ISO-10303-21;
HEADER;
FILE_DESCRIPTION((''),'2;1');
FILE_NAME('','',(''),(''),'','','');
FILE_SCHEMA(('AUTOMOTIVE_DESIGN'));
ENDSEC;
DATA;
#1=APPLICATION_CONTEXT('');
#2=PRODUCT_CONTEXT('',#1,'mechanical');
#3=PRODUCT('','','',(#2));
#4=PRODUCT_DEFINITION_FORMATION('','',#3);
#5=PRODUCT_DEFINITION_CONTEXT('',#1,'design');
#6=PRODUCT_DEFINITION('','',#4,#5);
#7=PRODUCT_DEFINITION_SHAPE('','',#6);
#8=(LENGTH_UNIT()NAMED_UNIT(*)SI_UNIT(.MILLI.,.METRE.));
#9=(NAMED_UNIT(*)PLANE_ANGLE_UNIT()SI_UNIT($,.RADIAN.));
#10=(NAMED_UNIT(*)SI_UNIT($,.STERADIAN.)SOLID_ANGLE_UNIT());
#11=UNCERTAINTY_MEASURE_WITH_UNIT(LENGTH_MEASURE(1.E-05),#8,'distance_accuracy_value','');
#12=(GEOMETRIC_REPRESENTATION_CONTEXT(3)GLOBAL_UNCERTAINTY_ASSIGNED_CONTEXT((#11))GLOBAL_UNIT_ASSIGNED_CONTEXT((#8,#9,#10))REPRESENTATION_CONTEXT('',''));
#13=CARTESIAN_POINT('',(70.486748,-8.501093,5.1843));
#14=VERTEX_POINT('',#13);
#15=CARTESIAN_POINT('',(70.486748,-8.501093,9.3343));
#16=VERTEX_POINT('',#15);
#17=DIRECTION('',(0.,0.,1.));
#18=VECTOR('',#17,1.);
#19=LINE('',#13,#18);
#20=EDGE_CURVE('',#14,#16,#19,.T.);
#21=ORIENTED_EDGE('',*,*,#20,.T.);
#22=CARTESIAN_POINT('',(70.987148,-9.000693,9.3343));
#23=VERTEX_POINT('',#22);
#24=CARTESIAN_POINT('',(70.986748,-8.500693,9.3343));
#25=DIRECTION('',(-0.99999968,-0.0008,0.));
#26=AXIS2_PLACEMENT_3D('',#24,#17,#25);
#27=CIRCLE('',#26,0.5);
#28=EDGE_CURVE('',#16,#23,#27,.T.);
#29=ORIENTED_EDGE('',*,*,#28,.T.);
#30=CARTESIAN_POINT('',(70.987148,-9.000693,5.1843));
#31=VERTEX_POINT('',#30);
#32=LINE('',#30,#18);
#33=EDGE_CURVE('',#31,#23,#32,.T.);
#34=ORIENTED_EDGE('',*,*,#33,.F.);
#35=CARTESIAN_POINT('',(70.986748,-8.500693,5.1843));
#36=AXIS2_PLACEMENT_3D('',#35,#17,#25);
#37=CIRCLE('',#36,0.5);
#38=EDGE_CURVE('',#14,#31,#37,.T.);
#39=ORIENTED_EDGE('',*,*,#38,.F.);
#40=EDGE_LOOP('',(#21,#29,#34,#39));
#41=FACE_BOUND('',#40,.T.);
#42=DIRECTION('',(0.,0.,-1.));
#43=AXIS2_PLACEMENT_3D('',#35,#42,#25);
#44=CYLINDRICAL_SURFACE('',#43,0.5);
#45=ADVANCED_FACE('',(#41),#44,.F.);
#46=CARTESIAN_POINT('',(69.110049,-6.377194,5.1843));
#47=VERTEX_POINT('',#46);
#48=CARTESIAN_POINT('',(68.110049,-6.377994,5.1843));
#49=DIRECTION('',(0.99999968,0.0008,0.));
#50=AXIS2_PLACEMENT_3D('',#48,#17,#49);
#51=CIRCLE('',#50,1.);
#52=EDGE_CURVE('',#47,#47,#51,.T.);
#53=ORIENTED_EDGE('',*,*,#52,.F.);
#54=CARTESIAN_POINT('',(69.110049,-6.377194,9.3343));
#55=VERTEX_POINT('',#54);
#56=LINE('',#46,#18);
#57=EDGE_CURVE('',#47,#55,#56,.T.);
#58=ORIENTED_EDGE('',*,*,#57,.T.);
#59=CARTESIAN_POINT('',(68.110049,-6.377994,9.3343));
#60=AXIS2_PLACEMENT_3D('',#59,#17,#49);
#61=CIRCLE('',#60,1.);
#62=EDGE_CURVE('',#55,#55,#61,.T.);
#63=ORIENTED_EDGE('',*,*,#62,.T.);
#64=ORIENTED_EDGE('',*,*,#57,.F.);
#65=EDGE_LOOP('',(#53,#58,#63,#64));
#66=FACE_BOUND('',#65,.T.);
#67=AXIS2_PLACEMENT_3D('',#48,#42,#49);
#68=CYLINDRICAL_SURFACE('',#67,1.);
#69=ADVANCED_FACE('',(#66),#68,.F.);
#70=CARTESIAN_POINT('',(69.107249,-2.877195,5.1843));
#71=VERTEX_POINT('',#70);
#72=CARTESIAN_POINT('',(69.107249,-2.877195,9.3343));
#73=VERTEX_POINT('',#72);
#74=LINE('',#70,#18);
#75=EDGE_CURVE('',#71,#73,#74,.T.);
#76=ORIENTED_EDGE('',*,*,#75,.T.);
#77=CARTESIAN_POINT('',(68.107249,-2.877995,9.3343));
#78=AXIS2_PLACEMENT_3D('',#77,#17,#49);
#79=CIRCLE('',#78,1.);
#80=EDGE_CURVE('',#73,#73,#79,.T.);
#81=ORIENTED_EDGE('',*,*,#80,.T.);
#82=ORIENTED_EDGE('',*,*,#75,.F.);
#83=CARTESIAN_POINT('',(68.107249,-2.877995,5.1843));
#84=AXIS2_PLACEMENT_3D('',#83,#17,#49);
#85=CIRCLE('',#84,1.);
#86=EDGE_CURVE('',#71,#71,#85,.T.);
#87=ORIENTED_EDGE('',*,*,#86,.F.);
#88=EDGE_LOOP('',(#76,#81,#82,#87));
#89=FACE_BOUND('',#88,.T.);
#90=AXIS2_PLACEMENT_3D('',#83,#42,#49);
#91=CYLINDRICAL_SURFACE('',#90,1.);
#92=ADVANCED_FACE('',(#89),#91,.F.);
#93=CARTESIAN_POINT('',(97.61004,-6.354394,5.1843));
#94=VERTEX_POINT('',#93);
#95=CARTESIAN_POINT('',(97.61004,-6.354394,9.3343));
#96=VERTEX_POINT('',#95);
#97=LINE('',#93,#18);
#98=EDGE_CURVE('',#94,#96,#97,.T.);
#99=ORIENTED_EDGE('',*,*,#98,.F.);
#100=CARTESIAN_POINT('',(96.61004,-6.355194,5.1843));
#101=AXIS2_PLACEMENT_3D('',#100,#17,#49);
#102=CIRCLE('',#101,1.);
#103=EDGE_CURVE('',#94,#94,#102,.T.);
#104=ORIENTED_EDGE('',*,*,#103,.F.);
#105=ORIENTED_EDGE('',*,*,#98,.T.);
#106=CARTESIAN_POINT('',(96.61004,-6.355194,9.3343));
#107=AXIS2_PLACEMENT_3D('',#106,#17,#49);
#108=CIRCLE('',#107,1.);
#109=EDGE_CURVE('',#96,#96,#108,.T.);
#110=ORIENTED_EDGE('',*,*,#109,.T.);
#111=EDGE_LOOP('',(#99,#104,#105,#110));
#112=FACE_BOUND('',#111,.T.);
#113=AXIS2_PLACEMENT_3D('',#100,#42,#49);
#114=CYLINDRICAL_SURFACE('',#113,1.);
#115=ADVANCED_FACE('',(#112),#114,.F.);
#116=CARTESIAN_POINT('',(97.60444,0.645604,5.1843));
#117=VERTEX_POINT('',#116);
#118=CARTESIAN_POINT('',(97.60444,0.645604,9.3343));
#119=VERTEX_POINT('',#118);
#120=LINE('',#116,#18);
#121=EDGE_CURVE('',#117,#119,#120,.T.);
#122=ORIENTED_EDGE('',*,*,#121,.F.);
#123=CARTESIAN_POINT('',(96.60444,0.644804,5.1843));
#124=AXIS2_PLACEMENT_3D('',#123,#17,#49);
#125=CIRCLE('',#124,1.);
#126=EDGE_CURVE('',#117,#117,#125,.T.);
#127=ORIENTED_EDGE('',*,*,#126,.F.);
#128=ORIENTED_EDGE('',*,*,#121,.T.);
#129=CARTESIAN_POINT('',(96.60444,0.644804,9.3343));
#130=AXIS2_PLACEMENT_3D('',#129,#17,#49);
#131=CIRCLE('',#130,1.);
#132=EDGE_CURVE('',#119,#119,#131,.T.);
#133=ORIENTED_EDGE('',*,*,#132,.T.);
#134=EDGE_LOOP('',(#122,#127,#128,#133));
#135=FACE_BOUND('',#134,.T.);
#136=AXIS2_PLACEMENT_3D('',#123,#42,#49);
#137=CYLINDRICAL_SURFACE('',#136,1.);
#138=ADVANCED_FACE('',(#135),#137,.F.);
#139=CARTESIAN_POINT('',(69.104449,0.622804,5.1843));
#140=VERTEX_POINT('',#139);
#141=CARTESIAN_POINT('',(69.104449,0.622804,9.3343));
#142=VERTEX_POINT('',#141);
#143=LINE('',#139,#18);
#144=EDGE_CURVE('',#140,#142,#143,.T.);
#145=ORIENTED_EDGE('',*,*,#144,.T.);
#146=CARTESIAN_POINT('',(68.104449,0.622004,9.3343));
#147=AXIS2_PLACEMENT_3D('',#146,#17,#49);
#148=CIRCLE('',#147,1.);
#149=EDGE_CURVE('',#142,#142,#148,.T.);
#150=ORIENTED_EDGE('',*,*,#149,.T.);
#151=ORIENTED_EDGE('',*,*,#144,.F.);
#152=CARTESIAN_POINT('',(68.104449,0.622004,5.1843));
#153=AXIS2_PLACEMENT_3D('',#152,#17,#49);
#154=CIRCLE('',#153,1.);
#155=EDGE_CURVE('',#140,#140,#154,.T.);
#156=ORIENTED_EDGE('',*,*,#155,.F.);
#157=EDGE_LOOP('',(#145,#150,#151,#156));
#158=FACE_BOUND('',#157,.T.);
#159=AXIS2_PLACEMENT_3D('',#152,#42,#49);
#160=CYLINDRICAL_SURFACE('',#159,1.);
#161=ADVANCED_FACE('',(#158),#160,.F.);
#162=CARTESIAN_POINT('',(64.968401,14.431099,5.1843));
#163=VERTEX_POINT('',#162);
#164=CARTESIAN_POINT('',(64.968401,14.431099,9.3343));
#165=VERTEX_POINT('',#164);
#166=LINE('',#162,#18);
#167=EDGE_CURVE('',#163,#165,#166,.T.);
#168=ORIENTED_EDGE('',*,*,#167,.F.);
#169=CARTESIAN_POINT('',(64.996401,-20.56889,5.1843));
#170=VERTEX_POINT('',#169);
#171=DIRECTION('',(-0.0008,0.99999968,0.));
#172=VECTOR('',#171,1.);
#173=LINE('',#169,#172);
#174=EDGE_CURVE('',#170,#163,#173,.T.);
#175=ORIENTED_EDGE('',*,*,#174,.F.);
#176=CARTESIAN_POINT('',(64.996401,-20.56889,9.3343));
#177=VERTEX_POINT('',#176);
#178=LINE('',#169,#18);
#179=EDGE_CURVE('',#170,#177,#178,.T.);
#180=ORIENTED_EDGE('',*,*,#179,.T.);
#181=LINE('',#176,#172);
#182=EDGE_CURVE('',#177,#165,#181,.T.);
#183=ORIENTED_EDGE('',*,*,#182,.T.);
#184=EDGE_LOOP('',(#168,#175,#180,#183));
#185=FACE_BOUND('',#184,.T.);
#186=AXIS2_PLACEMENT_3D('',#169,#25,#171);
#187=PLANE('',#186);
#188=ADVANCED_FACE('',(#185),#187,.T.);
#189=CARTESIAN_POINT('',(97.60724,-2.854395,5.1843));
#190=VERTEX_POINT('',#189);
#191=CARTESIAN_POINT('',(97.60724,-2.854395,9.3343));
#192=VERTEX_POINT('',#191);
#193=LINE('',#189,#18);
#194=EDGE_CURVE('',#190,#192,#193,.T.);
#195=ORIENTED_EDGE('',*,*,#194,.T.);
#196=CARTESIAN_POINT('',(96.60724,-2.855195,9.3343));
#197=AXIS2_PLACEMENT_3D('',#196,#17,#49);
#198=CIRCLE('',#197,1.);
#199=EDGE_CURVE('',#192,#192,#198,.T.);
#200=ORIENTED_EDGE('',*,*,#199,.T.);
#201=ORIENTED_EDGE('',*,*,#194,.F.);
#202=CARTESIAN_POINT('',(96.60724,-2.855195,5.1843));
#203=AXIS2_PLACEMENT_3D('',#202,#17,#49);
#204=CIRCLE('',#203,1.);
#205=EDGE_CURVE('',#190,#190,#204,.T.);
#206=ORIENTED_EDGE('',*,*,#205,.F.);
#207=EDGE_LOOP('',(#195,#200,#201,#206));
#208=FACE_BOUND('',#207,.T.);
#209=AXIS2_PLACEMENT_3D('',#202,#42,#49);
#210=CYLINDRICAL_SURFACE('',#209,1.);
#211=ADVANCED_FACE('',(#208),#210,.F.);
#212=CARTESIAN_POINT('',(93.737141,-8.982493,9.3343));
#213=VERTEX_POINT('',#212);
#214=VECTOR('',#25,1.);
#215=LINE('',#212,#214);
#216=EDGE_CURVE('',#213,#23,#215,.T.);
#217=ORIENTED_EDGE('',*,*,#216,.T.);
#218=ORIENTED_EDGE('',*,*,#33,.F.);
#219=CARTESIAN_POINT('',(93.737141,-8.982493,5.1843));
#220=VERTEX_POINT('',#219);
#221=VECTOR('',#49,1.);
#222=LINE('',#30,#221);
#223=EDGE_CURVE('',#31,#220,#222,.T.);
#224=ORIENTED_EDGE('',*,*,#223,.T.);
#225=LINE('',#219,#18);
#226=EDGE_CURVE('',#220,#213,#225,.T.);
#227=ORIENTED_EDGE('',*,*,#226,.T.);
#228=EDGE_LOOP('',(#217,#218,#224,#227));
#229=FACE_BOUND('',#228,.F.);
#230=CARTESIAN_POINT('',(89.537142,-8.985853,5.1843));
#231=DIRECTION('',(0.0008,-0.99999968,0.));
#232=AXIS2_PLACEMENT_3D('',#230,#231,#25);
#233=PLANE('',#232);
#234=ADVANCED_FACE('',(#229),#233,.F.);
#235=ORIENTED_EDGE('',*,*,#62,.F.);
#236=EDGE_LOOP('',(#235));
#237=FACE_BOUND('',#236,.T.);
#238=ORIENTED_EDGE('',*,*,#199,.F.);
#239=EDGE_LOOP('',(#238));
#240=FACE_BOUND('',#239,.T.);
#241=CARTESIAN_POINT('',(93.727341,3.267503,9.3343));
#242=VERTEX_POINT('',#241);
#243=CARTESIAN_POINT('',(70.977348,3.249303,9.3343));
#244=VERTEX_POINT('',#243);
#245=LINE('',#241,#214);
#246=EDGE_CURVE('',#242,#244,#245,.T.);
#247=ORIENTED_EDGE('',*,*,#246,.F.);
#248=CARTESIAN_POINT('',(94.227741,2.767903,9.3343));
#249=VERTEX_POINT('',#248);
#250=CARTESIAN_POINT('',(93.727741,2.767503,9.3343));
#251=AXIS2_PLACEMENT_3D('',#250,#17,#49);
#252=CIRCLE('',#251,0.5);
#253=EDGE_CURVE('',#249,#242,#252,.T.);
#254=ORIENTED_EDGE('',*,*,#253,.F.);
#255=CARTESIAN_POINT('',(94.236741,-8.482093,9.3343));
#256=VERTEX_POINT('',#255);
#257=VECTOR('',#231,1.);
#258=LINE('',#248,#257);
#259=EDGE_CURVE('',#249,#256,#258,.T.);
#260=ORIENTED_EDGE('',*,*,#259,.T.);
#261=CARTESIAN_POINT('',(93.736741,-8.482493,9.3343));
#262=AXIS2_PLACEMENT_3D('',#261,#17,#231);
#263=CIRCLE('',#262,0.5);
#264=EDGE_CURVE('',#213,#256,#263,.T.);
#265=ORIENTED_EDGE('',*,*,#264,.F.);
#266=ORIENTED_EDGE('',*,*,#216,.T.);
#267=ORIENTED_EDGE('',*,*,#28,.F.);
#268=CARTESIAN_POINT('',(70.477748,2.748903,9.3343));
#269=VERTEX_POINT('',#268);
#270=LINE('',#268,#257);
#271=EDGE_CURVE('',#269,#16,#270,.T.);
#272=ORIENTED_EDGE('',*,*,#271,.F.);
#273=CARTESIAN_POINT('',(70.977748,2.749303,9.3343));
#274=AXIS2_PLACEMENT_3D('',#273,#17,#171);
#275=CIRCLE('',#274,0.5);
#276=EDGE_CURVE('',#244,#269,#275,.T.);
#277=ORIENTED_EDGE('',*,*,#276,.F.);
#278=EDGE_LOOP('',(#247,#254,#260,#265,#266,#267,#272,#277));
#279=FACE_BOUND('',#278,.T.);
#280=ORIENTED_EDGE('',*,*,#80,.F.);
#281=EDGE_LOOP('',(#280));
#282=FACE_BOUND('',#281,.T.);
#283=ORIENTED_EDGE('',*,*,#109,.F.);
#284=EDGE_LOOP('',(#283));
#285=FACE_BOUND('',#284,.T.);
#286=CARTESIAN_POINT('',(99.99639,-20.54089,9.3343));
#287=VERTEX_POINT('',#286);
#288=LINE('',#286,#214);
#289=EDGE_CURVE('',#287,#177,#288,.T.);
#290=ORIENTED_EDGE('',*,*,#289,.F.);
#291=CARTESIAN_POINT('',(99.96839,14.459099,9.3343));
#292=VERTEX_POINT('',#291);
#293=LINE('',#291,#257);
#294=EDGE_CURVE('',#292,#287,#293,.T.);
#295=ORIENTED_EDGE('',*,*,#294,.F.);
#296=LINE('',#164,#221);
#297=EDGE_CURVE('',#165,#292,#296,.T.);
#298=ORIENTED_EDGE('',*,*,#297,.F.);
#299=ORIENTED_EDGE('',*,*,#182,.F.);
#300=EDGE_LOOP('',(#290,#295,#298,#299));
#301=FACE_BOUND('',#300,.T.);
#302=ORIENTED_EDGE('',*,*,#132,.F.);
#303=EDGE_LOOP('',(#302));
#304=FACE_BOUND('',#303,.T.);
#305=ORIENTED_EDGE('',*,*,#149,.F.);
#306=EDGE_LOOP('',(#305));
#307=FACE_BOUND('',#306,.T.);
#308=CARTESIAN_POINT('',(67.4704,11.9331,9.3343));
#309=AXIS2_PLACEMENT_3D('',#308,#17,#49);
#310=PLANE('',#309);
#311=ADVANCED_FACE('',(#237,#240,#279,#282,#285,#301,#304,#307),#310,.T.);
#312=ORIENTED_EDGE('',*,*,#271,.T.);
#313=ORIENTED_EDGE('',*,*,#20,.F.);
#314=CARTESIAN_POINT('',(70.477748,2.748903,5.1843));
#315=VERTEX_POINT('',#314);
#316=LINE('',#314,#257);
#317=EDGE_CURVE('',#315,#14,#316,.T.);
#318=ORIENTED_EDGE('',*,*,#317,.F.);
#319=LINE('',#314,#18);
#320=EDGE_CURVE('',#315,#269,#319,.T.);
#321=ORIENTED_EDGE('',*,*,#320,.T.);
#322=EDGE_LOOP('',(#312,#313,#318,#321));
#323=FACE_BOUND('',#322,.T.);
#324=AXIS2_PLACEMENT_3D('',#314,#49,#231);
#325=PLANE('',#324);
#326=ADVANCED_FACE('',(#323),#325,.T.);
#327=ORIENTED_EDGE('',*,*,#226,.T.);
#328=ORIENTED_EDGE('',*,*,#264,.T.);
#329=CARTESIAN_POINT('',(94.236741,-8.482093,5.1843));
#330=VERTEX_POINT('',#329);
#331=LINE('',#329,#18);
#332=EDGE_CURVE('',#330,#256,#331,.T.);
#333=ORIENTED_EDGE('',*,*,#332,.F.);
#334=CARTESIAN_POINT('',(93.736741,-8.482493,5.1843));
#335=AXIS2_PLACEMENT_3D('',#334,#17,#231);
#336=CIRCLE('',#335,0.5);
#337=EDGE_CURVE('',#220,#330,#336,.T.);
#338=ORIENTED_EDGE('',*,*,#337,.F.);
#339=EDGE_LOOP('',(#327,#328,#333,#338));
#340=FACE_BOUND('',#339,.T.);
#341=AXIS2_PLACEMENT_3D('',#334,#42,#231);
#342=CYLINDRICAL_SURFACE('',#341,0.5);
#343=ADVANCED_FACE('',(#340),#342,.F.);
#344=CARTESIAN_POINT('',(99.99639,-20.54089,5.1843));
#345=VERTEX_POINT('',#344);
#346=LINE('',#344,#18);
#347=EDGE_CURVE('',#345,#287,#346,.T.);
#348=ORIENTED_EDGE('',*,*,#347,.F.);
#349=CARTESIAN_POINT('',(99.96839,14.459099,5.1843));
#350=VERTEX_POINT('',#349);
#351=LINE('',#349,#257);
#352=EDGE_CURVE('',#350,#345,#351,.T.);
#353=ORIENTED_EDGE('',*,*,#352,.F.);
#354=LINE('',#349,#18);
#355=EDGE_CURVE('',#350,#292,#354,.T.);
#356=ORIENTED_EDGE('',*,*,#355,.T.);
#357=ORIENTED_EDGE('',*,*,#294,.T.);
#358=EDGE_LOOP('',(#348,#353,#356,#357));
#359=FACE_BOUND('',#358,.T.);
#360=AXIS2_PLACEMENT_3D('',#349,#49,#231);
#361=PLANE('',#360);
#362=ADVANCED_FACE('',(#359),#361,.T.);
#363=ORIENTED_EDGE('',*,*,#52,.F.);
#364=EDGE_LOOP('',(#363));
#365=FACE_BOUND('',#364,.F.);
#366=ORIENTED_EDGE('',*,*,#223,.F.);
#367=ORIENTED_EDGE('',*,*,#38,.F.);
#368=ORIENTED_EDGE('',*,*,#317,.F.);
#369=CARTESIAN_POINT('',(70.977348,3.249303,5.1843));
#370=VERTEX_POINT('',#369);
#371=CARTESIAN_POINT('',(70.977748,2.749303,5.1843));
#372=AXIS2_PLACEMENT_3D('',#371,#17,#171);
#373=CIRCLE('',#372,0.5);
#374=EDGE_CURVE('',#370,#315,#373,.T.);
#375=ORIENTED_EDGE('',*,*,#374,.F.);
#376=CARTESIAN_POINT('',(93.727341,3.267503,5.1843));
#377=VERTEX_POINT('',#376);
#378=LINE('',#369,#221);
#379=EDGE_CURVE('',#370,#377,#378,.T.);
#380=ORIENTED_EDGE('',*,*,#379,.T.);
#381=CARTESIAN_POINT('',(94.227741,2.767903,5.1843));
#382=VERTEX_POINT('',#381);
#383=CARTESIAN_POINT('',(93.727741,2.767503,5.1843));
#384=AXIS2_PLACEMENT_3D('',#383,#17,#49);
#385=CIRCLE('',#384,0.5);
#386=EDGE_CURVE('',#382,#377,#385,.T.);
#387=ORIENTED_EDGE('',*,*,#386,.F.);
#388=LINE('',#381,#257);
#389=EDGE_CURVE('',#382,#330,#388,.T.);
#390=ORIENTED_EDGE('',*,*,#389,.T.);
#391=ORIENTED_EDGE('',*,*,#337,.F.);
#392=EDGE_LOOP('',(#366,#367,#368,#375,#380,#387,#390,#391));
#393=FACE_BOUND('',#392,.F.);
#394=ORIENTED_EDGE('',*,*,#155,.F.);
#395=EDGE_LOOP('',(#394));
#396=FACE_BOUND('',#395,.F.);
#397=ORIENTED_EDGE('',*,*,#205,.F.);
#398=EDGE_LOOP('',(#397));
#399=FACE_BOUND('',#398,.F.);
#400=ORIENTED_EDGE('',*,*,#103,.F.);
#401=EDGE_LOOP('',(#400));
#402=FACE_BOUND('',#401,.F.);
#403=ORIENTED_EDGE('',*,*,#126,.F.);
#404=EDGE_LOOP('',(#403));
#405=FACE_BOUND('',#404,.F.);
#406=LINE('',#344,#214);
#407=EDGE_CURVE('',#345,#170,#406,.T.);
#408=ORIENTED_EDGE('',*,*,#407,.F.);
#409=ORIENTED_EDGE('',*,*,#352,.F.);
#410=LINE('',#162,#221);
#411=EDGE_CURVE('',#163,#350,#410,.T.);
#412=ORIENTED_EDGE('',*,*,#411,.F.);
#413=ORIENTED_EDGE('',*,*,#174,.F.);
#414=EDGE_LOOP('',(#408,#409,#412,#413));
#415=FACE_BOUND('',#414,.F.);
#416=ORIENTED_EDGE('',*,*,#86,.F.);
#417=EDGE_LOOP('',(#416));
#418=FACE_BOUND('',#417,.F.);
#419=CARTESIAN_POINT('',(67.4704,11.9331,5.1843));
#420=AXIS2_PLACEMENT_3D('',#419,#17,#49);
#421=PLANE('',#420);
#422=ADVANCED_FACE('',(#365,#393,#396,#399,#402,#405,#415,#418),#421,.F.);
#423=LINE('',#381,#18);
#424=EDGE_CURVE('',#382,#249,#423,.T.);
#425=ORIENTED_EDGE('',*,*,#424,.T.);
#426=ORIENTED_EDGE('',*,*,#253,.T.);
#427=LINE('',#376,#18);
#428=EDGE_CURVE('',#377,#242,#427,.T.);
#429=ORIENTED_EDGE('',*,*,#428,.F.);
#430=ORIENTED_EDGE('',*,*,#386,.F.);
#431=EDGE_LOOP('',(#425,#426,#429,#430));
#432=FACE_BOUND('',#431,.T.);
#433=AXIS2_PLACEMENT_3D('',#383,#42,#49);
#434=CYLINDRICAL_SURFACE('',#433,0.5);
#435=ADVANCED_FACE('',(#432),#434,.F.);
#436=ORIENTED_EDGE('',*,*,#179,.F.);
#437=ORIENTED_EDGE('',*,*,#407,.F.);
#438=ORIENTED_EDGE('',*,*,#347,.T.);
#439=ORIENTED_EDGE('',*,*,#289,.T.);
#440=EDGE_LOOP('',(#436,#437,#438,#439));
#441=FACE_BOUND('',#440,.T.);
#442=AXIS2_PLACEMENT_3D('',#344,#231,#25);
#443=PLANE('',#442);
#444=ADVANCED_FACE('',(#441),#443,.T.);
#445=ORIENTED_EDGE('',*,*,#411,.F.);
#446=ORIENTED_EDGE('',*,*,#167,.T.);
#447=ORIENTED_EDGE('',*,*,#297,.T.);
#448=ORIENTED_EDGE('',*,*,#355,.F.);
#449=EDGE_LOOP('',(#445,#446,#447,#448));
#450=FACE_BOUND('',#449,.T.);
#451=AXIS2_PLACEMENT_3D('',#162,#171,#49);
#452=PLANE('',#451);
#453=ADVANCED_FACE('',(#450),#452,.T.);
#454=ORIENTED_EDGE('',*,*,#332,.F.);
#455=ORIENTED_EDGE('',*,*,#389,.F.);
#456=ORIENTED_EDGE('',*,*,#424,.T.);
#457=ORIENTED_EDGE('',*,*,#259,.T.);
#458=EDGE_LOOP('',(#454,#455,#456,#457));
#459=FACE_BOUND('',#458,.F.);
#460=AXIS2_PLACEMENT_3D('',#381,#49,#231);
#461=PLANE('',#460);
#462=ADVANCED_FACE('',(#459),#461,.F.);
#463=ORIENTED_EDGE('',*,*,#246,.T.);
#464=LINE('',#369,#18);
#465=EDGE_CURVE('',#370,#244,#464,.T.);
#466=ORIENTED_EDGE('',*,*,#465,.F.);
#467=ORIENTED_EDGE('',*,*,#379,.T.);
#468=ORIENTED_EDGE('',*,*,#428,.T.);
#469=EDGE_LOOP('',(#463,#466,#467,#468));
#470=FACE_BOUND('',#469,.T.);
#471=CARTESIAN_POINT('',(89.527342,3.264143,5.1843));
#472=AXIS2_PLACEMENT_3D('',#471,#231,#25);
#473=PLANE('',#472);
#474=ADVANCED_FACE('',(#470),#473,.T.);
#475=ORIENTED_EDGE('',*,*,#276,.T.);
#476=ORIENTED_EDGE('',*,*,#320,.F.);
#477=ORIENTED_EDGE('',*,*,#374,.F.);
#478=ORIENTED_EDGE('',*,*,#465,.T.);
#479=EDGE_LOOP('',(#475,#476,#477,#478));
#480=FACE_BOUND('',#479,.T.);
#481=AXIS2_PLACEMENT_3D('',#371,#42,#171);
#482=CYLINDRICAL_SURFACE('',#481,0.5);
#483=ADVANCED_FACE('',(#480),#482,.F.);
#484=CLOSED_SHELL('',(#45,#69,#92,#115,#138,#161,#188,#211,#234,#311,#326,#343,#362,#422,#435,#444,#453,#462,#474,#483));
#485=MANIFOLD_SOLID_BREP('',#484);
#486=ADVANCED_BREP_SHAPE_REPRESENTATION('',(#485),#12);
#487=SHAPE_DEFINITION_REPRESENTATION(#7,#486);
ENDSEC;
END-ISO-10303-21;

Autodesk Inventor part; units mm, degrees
ref_plane "YZ Plane" through (0, 0, 0) normal (1, 0, 0) x (0, 1, 0)
ref_plane "XZ Plane" through (0, 0, 0) normal (0, 1, 0) x (-1, 0, 0)
ref_plane "XY Plane" through (0, 0, 0) normal (0, 0, 1) x (1, 0, 0)
ref_plane "Work Plane1" through (67.4704, 11.9331, 5.1843) normal (0, 0, 1) x (1, 0.0008, 0)
sketch "Sketch1" plane through (67.4704, 11.9331, 5.1843) normal (0, 0, 1) x (1, 0.0008, 0)
  line L0 (0.75, -8.6866) -> (3.5, -8.6866) projected
  arc A0 (0.75, -8.6866) -> (-1.25, -10.6866) centre (0.75, -10.6866) ccw projected
  line L1 (-1.25, -10.6866) -> (-1.25, -18.9366) projected
  arc A1 (-1.25, -18.9366) -> (0.75, -20.9366) centre (0.75, -18.9366) ccw projected
  line L2 (0.75, -20.9366) -> (3.5, -20.9366) projected
  arc A2 (3, -20.4366) -> (3.5, -20.9366) centre (3.5, -20.4366) ccw projected
  line L3 (3, -9.1866) -> (3, -20.4366) projected
  arc A3 (3.5, -8.6866) -> (3, -9.1866) centre (3.5, -9.1866) ccw projected
  circle A4 centre (0.625, -18.3116) radius 1 projected
  circle A5 centre (0.625, -14.8116) radius 1 projected
  circle A6 centre (0.625, -11.3116) radius 1 projected
  line L4 (26.25, -20.9366) -> (29, -20.9366) projected
  arc A7 (29, -20.9366) -> (31, -18.9366) centre (29, -18.9366) ccw projected
  line L5 (31, -10.6866) -> (31, -18.9366) projected
  arc A8 (31, -10.6866) -> (29, -8.6866) centre (29, -10.6866) ccw projected
  line L6 (26.25, -8.6866) -> (29, -8.6866) projected
  arc A9 (26.75, -9.1866) -> (26.25, -8.6866) centre (26.25, -9.1866) ccw projected
  line L7 (26.75, -9.1866) -> (26.75, -20.4366) projected
  arc A10 (26.25, -20.9366) -> (26.75, -20.4366) centre (26.25, -20.4366) ccw projected
  circle A11 centre (29.125, -18.3116) radius 1 projected
  circle A12 centre (29.125, -14.8116) radius 1 projected
  circle A13 centre (29.125, -11.3116) radius 1 projected
  line L8 (32.5, -32.5) -> (-2.5, -32.5) projected
  line L9 (-2.5, -32.5) -> (-2.5, 2.5) projected
  line L10 (-2.5, 2.5) -> (32.5, 2.5) projected
  line L11 (32.5, 2.5) -> (32.5, -32.5) projected
  line L12 (22.05, -20.9366) -> (3.5, -20.9366) projected
  arc A14 (3, -20.4366) -> (3.5, -20.9366) centre (3.5, -20.4366) ccw projected
  line L13 (3, -9.1866) -> (3, -20.4366) projected
  arc A15 (3.5, -8.6866) -> (3, -9.1866) centre (3.5, -9.1866) ccw projected
  line L14 (22.05, -8.6866) -> (3.5, -8.6866) projected
  line L15 (22.05, -8.6866) -> (22.05, -14.2116) projected
  line L16 (19.0411, -14.2116) -> (22.05, -14.2116) projected
  arc A16 (19.0411, -14.2116) -> (16.255, -11.9616) centre (16.255, -14.8116) ccw projected
  line L17 (15.3815, -11.9616) -> (16.255, -11.9616) projected
  arc A17 (15.3815, -11.9616) -> (15.3815, -17.6616) centre (10.13, -14.8116) ccw projected
  line L18 (16.255, -17.6616) -> (15.3815, -17.6616) projected
  arc A18 (16.255, -17.6616) -> (19.0411, -15.4116) centre (16.255, -14.8116) ccw projected
  line L19 (19.0411, -15.4116) -> (22.05, -15.4116) projected
  line L20 (22.05, -15.4116) -> (22.05, -20.9366) projected
  line L21 (26.75, -9.1866) -> (26.75, -20.4366) projected
  arc A19 (26.25, -20.9366) -> (26.75, -20.4366) centre (26.25, -20.4366) ccw projected
  line L22 (26.25, -20.9366) -> (22.05, -20.9366) projected
  line L23 (22.05, -15.4116) -> (22.05, -20.9366) projected
  line L24 (22.05, -15.4116) -> (19.0411, -15.4116) projected
  arc A20 (19.0411, -15.4116) -> (19.0411, -14.2116) centre (16.255, -14.8116) ccw projected
  line L25 (22.05, -14.2116) -> (19.0411, -14.2116) projected
  line L26 (22.05, -8.6866) -> (22.05, -14.2116) projected
  line L27 (26.25, -8.6866) -> (22.05, -8.6866) projected
  arc A21 (26.75, -9.1866) -> (26.25, -8.6866) centre (26.25, -9.1866) ccw projected
  point P0 (-67.4803, -11.8769)
extrude "Extrusion1" add sketch "Sketch1" along normal blind 4.15 contours L0 A3 L3 A2 L2 A1 L1 A0 | L6 A8 L5 A7 L4 A10 L7 A9 | L8 L9 L10 L11
properties part number "SeroHolderMount1"
